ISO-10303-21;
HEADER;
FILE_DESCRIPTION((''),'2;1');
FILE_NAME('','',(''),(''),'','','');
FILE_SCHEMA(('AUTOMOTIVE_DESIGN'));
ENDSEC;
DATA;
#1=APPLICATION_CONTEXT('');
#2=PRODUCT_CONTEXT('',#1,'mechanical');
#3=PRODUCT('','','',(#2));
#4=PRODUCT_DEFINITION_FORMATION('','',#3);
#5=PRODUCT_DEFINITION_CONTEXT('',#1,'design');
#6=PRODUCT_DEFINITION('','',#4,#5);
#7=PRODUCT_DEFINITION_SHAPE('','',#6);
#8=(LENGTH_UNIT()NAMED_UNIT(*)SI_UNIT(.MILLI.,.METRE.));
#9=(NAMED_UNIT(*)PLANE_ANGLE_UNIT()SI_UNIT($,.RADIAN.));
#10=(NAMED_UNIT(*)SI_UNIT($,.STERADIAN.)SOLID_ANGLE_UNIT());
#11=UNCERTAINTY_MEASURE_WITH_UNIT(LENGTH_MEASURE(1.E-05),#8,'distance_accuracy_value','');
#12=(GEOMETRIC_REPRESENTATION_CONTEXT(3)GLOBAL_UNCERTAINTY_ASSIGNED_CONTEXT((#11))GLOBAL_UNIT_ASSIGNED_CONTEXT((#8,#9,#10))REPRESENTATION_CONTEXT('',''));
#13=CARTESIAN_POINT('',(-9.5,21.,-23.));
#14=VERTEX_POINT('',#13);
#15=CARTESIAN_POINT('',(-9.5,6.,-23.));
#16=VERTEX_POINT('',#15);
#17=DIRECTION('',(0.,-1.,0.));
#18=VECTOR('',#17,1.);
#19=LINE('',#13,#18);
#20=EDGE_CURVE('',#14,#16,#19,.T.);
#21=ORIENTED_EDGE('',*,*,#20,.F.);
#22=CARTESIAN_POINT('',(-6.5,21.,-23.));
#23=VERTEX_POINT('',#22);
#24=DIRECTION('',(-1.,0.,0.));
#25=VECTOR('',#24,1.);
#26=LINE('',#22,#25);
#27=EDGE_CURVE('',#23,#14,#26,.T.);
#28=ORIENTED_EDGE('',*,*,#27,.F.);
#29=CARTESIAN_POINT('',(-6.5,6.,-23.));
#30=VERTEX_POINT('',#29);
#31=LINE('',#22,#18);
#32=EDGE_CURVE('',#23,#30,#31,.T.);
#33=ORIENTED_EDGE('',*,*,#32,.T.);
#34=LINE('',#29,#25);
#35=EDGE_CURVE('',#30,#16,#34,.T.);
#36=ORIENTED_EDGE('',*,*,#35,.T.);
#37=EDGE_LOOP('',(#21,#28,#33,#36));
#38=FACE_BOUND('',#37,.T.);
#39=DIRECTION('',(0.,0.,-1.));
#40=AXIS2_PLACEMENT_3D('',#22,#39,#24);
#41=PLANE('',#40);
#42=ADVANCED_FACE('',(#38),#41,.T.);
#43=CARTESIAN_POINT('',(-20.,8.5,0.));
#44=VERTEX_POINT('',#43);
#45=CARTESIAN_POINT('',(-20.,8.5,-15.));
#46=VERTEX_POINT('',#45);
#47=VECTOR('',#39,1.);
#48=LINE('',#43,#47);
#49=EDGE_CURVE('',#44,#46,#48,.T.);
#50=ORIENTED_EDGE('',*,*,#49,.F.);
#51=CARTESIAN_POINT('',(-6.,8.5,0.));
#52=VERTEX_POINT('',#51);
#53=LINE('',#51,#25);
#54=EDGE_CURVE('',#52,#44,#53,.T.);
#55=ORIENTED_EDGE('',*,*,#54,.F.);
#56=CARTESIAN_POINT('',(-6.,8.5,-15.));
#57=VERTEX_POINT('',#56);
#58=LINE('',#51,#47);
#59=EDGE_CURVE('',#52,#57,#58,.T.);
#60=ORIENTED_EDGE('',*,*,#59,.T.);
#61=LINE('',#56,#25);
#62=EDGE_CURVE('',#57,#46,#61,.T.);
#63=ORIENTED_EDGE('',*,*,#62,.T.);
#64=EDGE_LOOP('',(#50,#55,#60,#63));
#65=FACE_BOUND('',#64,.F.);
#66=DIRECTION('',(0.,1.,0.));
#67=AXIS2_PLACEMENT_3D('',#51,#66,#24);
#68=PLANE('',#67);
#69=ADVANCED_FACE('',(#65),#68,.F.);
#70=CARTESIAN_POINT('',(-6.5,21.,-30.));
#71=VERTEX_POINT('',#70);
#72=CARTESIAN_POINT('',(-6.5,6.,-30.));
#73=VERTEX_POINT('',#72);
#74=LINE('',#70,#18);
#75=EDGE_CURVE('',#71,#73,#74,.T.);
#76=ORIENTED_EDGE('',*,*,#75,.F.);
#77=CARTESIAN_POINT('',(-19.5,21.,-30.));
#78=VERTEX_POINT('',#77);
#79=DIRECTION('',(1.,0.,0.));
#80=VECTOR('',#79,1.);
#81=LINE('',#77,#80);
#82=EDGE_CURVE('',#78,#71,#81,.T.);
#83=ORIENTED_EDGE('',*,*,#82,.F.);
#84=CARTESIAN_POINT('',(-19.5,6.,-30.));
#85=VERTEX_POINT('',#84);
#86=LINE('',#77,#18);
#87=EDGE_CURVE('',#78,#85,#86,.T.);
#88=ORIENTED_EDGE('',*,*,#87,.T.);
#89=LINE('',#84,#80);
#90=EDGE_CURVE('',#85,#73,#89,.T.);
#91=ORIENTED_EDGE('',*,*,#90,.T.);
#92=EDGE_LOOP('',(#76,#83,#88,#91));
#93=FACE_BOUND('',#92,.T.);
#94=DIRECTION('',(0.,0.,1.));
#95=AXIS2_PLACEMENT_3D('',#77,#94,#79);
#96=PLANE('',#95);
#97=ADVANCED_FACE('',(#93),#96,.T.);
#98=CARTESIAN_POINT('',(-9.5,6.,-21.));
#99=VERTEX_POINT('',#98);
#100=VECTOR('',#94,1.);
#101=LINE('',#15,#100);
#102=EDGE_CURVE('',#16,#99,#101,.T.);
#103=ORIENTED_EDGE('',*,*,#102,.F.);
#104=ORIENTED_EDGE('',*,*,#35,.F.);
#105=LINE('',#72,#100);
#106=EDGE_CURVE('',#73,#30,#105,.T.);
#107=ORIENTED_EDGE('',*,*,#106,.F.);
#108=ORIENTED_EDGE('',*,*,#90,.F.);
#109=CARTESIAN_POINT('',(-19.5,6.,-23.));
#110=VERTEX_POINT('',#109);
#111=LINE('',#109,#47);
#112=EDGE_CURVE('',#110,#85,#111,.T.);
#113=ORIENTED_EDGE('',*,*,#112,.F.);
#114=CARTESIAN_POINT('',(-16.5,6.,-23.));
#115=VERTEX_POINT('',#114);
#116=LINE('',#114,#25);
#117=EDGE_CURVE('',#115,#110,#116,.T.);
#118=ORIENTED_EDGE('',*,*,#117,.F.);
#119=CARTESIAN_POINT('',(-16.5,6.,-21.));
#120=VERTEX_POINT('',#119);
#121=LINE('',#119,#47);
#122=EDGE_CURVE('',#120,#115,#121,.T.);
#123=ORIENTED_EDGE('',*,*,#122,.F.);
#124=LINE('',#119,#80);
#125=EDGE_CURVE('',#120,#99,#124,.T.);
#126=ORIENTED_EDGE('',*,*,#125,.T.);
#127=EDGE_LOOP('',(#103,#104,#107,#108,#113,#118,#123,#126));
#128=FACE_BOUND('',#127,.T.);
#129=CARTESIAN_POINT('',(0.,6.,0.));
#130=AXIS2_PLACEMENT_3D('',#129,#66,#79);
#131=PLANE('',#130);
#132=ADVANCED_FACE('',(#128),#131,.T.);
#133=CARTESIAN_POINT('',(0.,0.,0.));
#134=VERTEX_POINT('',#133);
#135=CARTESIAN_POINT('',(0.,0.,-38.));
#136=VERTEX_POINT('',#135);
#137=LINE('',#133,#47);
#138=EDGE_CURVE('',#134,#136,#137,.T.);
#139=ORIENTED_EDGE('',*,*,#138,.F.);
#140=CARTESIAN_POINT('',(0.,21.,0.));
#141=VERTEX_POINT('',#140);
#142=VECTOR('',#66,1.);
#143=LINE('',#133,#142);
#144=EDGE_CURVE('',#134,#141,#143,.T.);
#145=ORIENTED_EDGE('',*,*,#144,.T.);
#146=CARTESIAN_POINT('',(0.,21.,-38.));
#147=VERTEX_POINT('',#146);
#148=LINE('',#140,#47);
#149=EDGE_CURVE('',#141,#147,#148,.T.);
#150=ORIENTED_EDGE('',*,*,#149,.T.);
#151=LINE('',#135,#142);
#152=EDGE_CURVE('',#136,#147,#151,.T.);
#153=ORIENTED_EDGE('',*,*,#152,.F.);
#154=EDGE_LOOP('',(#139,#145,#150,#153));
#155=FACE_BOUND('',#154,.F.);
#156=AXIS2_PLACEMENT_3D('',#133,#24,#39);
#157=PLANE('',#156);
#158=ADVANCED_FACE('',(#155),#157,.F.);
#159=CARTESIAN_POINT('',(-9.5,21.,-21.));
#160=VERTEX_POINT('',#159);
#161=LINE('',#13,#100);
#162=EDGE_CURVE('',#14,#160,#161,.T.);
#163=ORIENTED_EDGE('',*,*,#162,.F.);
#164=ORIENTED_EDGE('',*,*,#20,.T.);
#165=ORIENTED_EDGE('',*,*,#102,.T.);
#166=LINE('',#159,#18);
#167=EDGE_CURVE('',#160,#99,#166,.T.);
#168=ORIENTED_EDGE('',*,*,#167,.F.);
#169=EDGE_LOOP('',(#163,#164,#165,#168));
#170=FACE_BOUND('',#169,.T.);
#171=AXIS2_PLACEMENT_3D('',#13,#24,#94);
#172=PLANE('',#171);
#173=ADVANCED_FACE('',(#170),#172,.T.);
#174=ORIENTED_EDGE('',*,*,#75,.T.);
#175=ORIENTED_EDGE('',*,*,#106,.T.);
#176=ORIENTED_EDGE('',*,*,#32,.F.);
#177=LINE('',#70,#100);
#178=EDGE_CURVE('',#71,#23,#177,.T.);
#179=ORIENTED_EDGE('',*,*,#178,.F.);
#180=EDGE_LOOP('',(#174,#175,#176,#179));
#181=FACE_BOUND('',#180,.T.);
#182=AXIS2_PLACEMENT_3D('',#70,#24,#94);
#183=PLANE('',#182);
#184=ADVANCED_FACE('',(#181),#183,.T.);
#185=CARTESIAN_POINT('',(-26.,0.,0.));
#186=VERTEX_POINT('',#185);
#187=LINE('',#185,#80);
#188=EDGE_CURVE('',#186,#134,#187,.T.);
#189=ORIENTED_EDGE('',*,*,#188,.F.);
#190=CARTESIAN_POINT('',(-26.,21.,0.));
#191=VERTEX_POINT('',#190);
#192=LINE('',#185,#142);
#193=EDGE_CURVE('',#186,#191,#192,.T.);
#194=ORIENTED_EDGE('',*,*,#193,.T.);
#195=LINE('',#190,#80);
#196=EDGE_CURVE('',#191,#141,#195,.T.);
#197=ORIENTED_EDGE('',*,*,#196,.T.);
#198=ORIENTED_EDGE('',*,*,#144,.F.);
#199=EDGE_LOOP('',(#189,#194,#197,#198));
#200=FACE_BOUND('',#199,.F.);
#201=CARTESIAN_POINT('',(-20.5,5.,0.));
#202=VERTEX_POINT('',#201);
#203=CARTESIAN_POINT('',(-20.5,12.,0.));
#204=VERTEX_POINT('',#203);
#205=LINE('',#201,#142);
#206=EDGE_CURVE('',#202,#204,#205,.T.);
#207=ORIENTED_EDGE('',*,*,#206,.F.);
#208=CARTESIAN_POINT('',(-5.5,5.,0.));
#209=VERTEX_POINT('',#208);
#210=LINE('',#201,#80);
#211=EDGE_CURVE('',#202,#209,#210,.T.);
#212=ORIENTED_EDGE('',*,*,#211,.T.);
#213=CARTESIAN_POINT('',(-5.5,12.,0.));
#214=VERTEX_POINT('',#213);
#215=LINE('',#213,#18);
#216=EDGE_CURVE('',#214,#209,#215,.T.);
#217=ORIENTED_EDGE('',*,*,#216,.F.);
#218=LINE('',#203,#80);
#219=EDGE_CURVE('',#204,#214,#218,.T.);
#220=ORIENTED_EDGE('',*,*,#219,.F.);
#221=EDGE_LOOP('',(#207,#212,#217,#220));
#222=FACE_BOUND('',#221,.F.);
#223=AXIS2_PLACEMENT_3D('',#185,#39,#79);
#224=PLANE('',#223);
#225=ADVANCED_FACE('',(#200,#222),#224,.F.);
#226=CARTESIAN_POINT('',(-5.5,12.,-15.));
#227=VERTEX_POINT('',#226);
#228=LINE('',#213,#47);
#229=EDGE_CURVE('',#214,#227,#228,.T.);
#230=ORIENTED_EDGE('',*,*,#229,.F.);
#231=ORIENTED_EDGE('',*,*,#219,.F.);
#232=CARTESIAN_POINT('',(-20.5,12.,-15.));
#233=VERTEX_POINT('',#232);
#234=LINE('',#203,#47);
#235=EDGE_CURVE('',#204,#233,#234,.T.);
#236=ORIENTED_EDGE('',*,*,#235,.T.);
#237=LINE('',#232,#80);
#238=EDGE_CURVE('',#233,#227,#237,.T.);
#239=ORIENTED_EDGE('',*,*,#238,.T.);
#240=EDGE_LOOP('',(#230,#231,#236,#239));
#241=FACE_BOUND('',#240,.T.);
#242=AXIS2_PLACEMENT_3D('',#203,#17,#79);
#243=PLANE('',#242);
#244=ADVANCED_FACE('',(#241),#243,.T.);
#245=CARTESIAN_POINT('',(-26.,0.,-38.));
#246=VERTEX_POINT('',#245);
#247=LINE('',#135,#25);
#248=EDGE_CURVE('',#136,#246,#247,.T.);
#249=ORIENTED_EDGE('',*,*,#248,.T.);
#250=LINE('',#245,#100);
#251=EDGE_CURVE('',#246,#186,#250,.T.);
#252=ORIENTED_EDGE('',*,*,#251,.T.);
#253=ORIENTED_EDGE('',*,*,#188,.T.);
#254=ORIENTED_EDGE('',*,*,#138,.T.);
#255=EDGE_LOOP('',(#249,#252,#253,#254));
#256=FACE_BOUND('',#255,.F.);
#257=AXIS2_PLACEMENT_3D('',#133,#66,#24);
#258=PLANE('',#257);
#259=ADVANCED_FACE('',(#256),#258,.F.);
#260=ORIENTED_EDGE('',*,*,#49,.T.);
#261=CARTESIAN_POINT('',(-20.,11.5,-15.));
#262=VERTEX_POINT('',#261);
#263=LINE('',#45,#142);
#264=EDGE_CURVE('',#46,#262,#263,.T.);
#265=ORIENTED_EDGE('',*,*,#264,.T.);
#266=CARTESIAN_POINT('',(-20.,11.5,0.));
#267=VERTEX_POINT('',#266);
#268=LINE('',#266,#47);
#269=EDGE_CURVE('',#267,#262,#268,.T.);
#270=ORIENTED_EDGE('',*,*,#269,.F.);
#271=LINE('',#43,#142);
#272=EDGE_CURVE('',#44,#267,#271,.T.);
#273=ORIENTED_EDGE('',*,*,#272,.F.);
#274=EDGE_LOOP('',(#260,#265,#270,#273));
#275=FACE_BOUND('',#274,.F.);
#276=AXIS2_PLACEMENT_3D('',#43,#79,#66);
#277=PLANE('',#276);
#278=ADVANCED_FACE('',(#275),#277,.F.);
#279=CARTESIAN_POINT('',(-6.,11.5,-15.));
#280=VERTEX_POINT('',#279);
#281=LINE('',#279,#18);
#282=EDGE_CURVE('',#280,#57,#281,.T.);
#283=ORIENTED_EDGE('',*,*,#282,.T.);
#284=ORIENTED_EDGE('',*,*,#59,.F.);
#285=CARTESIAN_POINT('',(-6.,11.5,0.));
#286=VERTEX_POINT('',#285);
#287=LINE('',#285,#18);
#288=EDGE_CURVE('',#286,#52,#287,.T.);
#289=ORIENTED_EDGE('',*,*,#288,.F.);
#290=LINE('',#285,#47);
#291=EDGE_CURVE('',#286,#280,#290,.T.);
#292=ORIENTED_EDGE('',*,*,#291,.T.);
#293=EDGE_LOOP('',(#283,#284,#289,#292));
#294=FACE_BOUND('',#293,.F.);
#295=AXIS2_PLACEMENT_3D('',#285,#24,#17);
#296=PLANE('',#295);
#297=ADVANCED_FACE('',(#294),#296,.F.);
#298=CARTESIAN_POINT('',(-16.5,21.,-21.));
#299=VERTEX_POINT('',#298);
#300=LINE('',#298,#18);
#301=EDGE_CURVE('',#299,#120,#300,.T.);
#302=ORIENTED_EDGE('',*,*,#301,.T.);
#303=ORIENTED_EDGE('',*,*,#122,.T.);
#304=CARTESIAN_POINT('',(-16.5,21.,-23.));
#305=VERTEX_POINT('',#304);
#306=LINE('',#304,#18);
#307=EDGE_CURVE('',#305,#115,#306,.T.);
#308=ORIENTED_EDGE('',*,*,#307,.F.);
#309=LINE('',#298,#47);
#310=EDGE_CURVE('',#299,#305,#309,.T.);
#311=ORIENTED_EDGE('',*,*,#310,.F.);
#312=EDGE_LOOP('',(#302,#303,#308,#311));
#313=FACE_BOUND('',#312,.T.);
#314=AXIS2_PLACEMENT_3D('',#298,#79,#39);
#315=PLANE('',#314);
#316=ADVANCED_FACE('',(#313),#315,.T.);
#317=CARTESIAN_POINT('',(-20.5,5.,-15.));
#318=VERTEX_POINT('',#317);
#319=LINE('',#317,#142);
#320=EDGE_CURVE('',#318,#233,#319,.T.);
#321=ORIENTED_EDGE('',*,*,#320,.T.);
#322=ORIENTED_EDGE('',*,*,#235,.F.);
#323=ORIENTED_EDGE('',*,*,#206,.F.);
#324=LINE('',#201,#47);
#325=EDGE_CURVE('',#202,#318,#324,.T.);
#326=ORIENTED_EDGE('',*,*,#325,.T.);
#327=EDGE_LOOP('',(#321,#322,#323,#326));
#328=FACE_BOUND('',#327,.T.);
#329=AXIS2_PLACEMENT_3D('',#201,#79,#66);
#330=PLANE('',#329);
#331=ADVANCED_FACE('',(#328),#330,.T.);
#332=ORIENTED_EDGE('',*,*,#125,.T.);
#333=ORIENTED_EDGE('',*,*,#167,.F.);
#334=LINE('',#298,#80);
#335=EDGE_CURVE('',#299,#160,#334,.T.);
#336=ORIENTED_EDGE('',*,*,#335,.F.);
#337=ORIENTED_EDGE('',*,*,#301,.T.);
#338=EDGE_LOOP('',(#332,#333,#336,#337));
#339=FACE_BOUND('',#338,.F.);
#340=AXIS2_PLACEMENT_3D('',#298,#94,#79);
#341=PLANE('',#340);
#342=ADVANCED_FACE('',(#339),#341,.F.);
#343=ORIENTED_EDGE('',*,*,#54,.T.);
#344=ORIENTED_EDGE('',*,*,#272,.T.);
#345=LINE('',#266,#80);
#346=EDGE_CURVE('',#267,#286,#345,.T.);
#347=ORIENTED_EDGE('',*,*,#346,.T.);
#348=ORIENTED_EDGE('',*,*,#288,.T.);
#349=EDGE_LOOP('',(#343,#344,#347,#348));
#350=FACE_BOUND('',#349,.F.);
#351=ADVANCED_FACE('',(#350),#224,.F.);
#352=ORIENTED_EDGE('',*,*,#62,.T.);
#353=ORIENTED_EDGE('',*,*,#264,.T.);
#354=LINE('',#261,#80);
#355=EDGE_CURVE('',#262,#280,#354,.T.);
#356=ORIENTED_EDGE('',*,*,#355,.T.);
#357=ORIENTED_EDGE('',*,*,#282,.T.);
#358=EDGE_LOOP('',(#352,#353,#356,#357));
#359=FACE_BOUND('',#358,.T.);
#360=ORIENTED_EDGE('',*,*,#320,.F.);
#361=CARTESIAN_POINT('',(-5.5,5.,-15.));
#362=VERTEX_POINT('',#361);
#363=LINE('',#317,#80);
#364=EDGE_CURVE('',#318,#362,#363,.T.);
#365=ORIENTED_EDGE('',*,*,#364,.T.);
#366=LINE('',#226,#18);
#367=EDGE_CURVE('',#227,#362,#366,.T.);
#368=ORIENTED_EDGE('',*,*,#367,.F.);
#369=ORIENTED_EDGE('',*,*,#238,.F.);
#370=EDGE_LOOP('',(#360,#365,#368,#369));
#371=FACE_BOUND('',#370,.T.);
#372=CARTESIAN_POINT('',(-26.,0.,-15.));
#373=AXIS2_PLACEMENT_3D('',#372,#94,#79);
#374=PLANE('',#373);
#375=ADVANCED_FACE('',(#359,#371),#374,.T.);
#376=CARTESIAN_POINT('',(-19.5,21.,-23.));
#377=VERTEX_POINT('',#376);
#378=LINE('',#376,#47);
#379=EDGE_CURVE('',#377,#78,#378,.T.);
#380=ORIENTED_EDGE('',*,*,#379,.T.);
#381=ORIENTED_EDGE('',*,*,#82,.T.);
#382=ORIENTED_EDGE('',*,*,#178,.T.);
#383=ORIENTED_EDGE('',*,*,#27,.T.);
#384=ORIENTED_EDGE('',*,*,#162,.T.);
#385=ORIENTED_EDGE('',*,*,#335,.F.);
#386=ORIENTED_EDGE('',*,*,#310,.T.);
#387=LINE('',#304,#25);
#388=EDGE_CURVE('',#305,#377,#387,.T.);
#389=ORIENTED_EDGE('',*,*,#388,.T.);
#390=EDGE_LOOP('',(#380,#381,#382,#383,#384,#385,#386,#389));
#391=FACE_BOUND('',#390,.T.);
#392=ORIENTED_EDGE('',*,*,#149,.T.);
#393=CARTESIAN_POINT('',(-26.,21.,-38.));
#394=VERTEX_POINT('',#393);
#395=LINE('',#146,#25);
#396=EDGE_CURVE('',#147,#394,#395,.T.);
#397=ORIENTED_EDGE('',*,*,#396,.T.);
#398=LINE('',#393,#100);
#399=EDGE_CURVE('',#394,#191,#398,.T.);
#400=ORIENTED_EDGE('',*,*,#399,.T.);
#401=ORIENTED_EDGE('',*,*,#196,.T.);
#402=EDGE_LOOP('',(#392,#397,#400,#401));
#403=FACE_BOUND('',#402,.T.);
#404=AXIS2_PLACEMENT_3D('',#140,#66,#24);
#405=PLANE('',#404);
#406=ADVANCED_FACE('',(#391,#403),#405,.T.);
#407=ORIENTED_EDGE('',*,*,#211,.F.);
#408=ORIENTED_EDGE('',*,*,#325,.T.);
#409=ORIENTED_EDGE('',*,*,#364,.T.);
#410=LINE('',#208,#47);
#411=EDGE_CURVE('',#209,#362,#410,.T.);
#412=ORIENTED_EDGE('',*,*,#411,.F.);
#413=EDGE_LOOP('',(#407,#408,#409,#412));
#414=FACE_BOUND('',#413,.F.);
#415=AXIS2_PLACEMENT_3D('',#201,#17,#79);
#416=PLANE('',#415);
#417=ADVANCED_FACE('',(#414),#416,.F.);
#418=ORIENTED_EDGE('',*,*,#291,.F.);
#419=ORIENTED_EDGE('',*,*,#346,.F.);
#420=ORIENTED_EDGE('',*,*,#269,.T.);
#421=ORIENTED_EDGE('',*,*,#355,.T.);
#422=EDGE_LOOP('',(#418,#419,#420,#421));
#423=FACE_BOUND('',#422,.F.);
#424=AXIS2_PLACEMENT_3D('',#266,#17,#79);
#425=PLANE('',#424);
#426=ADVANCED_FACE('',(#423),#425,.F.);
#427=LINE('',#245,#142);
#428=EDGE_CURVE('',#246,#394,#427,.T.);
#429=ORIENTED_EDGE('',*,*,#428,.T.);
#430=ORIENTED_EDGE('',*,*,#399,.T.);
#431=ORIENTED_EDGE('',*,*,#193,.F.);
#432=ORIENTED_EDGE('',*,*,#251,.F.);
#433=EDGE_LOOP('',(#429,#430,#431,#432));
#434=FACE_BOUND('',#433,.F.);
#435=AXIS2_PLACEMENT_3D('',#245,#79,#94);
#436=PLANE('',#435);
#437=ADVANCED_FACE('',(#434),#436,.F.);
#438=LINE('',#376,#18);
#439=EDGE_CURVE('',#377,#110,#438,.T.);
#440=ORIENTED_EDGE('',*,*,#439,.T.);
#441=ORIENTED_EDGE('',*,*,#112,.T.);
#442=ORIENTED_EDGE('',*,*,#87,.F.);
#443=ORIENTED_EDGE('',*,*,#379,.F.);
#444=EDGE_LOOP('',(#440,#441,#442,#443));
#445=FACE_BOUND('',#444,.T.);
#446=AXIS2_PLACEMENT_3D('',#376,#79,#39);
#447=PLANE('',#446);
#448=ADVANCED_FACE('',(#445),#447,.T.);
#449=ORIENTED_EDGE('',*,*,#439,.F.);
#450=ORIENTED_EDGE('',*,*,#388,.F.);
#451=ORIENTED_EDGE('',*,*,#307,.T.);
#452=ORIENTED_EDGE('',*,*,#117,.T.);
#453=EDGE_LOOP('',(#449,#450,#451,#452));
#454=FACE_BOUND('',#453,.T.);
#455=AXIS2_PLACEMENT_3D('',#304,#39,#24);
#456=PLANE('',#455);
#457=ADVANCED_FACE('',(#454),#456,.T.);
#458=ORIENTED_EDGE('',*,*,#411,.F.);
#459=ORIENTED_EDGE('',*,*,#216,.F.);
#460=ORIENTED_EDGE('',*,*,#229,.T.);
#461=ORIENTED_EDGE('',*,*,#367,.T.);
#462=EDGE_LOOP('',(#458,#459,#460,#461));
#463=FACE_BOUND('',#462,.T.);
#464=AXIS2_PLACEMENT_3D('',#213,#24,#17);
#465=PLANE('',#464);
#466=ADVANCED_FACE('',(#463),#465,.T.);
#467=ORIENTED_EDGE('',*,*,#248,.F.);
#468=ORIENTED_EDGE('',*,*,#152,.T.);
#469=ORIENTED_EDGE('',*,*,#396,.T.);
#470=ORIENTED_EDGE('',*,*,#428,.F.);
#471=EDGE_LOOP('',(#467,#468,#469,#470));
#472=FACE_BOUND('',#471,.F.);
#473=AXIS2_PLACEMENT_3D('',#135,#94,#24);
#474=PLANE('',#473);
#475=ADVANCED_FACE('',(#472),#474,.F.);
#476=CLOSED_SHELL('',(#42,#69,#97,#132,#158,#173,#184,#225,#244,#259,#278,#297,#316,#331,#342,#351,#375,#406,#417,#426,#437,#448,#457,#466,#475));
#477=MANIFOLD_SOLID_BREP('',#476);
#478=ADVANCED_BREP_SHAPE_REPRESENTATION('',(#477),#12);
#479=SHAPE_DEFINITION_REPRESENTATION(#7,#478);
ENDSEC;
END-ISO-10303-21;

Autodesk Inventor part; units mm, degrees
ref_plane "YZ Plane" through (0, 0, 0) normal (1, 0, 0) x (0, 1, 0)
ref_plane "XZ Plane" through (0, 0, 0) normal (0, 1, 0) x (-1, 0, 0)
ref_plane "XY Plane" through (0, 0, 0) normal (0, 0, 1) x (1, 0, 0)
sketch "Sketch1" plane through (0, 0, 0) normal (0, 1, 0) x (-1, 0, 0)
  line L0 (26, 0) -> (0, 0)
  line L1 (0, 0) -> (0, -38)
  line L2 (0, -38) -> (26, -38)
  line L3 (26, -38) -> (26, 0)
  dimension "d0" = 38
  dimension "d1" = 26
extrude "Extrusion1" add sketch "Sketch1" along normal blind 21
sketch "Sketch2" plane through (0, 21, 0) normal (0, 1, 0) x (1, 0, 0)
  line L0 (-19.5, 30) -> (-6.5, 30)
  line L1 (0, 38) -> (-26, 38) projected
  line L2 (-26, 38) -> (-26, 0) projected
  line L3 (-6.5, 30) -> (-6.5, 23)
  line L4 (-13, 30) -> (-13, 10.7779) construction
  line L5 (-16.5, 21) -> (-9.5, 21)
  line L6 (-6.5, 23) -> (-9.5, 23)
  line L7 (-9.5, 23) -> (-9.5, 21)
  line L8 (-16.5, 21) -> (-16.5, 23)
  line L9 (-16.5, 23) -> (-19.5, 23)
  line L10 (-19.5, 23) -> (-19.5, 30)
  point P0 (0, 0)
  point P1 (-13, 21)
  point P2 (-13, 26.5)
  dimension "d4" = 8
  dimension "d5" = 13
  dimension "d6" = 26
  dimension "d7" = 6.5
  dimension "d8" = 7
  dimension "d9" = 7
  dimension "d10" = 2
extrude "Extrusion2" cut sketch "Sketch2" against normal blind 15
sketch "Sketch3" plane through (-26, 0, 0) normal (0, 0, 1) x (1, 0, 0)
  line L0 (5.5, 5) -> (20.5, 5)
  line L1 (0, 0) -> (26, 0) projected
  line L2 (13, 0) -> (13, 33.23) construction
  line L3 (5.5, 5) -> (5.5, 12)
  line L4 (5.5, 12) -> (20.5, 12)
  line L5 (20.5, 12) -> (20.5, 5)
  line L6 (6, 11.5) -> (20, 11.5)
  line L7 (20, 11.5) -> (20, 8.5)
  line L8 (20, 8.5) -> (6, 8.5)
  line L9 (6, 8.5) -> (6, 11.5)
  point P0 (13, 5)
  point P1 (13, 8.5)
  dimension "d13" = 5
  dimension "d14" = 15
  dimension "d15" = 7
  dimension "d16" = 14
  dimension "d17" = 3
  dimension "d18" = 0.5
  dimension "d19" = 0.5
extrude "Extrusion3" cut sketch "Sketch3" against normal blind 15
equation "\"d7\" = -0.5 * d5 + 0.5 * d6"
properties part number "usbRangeExtender"
